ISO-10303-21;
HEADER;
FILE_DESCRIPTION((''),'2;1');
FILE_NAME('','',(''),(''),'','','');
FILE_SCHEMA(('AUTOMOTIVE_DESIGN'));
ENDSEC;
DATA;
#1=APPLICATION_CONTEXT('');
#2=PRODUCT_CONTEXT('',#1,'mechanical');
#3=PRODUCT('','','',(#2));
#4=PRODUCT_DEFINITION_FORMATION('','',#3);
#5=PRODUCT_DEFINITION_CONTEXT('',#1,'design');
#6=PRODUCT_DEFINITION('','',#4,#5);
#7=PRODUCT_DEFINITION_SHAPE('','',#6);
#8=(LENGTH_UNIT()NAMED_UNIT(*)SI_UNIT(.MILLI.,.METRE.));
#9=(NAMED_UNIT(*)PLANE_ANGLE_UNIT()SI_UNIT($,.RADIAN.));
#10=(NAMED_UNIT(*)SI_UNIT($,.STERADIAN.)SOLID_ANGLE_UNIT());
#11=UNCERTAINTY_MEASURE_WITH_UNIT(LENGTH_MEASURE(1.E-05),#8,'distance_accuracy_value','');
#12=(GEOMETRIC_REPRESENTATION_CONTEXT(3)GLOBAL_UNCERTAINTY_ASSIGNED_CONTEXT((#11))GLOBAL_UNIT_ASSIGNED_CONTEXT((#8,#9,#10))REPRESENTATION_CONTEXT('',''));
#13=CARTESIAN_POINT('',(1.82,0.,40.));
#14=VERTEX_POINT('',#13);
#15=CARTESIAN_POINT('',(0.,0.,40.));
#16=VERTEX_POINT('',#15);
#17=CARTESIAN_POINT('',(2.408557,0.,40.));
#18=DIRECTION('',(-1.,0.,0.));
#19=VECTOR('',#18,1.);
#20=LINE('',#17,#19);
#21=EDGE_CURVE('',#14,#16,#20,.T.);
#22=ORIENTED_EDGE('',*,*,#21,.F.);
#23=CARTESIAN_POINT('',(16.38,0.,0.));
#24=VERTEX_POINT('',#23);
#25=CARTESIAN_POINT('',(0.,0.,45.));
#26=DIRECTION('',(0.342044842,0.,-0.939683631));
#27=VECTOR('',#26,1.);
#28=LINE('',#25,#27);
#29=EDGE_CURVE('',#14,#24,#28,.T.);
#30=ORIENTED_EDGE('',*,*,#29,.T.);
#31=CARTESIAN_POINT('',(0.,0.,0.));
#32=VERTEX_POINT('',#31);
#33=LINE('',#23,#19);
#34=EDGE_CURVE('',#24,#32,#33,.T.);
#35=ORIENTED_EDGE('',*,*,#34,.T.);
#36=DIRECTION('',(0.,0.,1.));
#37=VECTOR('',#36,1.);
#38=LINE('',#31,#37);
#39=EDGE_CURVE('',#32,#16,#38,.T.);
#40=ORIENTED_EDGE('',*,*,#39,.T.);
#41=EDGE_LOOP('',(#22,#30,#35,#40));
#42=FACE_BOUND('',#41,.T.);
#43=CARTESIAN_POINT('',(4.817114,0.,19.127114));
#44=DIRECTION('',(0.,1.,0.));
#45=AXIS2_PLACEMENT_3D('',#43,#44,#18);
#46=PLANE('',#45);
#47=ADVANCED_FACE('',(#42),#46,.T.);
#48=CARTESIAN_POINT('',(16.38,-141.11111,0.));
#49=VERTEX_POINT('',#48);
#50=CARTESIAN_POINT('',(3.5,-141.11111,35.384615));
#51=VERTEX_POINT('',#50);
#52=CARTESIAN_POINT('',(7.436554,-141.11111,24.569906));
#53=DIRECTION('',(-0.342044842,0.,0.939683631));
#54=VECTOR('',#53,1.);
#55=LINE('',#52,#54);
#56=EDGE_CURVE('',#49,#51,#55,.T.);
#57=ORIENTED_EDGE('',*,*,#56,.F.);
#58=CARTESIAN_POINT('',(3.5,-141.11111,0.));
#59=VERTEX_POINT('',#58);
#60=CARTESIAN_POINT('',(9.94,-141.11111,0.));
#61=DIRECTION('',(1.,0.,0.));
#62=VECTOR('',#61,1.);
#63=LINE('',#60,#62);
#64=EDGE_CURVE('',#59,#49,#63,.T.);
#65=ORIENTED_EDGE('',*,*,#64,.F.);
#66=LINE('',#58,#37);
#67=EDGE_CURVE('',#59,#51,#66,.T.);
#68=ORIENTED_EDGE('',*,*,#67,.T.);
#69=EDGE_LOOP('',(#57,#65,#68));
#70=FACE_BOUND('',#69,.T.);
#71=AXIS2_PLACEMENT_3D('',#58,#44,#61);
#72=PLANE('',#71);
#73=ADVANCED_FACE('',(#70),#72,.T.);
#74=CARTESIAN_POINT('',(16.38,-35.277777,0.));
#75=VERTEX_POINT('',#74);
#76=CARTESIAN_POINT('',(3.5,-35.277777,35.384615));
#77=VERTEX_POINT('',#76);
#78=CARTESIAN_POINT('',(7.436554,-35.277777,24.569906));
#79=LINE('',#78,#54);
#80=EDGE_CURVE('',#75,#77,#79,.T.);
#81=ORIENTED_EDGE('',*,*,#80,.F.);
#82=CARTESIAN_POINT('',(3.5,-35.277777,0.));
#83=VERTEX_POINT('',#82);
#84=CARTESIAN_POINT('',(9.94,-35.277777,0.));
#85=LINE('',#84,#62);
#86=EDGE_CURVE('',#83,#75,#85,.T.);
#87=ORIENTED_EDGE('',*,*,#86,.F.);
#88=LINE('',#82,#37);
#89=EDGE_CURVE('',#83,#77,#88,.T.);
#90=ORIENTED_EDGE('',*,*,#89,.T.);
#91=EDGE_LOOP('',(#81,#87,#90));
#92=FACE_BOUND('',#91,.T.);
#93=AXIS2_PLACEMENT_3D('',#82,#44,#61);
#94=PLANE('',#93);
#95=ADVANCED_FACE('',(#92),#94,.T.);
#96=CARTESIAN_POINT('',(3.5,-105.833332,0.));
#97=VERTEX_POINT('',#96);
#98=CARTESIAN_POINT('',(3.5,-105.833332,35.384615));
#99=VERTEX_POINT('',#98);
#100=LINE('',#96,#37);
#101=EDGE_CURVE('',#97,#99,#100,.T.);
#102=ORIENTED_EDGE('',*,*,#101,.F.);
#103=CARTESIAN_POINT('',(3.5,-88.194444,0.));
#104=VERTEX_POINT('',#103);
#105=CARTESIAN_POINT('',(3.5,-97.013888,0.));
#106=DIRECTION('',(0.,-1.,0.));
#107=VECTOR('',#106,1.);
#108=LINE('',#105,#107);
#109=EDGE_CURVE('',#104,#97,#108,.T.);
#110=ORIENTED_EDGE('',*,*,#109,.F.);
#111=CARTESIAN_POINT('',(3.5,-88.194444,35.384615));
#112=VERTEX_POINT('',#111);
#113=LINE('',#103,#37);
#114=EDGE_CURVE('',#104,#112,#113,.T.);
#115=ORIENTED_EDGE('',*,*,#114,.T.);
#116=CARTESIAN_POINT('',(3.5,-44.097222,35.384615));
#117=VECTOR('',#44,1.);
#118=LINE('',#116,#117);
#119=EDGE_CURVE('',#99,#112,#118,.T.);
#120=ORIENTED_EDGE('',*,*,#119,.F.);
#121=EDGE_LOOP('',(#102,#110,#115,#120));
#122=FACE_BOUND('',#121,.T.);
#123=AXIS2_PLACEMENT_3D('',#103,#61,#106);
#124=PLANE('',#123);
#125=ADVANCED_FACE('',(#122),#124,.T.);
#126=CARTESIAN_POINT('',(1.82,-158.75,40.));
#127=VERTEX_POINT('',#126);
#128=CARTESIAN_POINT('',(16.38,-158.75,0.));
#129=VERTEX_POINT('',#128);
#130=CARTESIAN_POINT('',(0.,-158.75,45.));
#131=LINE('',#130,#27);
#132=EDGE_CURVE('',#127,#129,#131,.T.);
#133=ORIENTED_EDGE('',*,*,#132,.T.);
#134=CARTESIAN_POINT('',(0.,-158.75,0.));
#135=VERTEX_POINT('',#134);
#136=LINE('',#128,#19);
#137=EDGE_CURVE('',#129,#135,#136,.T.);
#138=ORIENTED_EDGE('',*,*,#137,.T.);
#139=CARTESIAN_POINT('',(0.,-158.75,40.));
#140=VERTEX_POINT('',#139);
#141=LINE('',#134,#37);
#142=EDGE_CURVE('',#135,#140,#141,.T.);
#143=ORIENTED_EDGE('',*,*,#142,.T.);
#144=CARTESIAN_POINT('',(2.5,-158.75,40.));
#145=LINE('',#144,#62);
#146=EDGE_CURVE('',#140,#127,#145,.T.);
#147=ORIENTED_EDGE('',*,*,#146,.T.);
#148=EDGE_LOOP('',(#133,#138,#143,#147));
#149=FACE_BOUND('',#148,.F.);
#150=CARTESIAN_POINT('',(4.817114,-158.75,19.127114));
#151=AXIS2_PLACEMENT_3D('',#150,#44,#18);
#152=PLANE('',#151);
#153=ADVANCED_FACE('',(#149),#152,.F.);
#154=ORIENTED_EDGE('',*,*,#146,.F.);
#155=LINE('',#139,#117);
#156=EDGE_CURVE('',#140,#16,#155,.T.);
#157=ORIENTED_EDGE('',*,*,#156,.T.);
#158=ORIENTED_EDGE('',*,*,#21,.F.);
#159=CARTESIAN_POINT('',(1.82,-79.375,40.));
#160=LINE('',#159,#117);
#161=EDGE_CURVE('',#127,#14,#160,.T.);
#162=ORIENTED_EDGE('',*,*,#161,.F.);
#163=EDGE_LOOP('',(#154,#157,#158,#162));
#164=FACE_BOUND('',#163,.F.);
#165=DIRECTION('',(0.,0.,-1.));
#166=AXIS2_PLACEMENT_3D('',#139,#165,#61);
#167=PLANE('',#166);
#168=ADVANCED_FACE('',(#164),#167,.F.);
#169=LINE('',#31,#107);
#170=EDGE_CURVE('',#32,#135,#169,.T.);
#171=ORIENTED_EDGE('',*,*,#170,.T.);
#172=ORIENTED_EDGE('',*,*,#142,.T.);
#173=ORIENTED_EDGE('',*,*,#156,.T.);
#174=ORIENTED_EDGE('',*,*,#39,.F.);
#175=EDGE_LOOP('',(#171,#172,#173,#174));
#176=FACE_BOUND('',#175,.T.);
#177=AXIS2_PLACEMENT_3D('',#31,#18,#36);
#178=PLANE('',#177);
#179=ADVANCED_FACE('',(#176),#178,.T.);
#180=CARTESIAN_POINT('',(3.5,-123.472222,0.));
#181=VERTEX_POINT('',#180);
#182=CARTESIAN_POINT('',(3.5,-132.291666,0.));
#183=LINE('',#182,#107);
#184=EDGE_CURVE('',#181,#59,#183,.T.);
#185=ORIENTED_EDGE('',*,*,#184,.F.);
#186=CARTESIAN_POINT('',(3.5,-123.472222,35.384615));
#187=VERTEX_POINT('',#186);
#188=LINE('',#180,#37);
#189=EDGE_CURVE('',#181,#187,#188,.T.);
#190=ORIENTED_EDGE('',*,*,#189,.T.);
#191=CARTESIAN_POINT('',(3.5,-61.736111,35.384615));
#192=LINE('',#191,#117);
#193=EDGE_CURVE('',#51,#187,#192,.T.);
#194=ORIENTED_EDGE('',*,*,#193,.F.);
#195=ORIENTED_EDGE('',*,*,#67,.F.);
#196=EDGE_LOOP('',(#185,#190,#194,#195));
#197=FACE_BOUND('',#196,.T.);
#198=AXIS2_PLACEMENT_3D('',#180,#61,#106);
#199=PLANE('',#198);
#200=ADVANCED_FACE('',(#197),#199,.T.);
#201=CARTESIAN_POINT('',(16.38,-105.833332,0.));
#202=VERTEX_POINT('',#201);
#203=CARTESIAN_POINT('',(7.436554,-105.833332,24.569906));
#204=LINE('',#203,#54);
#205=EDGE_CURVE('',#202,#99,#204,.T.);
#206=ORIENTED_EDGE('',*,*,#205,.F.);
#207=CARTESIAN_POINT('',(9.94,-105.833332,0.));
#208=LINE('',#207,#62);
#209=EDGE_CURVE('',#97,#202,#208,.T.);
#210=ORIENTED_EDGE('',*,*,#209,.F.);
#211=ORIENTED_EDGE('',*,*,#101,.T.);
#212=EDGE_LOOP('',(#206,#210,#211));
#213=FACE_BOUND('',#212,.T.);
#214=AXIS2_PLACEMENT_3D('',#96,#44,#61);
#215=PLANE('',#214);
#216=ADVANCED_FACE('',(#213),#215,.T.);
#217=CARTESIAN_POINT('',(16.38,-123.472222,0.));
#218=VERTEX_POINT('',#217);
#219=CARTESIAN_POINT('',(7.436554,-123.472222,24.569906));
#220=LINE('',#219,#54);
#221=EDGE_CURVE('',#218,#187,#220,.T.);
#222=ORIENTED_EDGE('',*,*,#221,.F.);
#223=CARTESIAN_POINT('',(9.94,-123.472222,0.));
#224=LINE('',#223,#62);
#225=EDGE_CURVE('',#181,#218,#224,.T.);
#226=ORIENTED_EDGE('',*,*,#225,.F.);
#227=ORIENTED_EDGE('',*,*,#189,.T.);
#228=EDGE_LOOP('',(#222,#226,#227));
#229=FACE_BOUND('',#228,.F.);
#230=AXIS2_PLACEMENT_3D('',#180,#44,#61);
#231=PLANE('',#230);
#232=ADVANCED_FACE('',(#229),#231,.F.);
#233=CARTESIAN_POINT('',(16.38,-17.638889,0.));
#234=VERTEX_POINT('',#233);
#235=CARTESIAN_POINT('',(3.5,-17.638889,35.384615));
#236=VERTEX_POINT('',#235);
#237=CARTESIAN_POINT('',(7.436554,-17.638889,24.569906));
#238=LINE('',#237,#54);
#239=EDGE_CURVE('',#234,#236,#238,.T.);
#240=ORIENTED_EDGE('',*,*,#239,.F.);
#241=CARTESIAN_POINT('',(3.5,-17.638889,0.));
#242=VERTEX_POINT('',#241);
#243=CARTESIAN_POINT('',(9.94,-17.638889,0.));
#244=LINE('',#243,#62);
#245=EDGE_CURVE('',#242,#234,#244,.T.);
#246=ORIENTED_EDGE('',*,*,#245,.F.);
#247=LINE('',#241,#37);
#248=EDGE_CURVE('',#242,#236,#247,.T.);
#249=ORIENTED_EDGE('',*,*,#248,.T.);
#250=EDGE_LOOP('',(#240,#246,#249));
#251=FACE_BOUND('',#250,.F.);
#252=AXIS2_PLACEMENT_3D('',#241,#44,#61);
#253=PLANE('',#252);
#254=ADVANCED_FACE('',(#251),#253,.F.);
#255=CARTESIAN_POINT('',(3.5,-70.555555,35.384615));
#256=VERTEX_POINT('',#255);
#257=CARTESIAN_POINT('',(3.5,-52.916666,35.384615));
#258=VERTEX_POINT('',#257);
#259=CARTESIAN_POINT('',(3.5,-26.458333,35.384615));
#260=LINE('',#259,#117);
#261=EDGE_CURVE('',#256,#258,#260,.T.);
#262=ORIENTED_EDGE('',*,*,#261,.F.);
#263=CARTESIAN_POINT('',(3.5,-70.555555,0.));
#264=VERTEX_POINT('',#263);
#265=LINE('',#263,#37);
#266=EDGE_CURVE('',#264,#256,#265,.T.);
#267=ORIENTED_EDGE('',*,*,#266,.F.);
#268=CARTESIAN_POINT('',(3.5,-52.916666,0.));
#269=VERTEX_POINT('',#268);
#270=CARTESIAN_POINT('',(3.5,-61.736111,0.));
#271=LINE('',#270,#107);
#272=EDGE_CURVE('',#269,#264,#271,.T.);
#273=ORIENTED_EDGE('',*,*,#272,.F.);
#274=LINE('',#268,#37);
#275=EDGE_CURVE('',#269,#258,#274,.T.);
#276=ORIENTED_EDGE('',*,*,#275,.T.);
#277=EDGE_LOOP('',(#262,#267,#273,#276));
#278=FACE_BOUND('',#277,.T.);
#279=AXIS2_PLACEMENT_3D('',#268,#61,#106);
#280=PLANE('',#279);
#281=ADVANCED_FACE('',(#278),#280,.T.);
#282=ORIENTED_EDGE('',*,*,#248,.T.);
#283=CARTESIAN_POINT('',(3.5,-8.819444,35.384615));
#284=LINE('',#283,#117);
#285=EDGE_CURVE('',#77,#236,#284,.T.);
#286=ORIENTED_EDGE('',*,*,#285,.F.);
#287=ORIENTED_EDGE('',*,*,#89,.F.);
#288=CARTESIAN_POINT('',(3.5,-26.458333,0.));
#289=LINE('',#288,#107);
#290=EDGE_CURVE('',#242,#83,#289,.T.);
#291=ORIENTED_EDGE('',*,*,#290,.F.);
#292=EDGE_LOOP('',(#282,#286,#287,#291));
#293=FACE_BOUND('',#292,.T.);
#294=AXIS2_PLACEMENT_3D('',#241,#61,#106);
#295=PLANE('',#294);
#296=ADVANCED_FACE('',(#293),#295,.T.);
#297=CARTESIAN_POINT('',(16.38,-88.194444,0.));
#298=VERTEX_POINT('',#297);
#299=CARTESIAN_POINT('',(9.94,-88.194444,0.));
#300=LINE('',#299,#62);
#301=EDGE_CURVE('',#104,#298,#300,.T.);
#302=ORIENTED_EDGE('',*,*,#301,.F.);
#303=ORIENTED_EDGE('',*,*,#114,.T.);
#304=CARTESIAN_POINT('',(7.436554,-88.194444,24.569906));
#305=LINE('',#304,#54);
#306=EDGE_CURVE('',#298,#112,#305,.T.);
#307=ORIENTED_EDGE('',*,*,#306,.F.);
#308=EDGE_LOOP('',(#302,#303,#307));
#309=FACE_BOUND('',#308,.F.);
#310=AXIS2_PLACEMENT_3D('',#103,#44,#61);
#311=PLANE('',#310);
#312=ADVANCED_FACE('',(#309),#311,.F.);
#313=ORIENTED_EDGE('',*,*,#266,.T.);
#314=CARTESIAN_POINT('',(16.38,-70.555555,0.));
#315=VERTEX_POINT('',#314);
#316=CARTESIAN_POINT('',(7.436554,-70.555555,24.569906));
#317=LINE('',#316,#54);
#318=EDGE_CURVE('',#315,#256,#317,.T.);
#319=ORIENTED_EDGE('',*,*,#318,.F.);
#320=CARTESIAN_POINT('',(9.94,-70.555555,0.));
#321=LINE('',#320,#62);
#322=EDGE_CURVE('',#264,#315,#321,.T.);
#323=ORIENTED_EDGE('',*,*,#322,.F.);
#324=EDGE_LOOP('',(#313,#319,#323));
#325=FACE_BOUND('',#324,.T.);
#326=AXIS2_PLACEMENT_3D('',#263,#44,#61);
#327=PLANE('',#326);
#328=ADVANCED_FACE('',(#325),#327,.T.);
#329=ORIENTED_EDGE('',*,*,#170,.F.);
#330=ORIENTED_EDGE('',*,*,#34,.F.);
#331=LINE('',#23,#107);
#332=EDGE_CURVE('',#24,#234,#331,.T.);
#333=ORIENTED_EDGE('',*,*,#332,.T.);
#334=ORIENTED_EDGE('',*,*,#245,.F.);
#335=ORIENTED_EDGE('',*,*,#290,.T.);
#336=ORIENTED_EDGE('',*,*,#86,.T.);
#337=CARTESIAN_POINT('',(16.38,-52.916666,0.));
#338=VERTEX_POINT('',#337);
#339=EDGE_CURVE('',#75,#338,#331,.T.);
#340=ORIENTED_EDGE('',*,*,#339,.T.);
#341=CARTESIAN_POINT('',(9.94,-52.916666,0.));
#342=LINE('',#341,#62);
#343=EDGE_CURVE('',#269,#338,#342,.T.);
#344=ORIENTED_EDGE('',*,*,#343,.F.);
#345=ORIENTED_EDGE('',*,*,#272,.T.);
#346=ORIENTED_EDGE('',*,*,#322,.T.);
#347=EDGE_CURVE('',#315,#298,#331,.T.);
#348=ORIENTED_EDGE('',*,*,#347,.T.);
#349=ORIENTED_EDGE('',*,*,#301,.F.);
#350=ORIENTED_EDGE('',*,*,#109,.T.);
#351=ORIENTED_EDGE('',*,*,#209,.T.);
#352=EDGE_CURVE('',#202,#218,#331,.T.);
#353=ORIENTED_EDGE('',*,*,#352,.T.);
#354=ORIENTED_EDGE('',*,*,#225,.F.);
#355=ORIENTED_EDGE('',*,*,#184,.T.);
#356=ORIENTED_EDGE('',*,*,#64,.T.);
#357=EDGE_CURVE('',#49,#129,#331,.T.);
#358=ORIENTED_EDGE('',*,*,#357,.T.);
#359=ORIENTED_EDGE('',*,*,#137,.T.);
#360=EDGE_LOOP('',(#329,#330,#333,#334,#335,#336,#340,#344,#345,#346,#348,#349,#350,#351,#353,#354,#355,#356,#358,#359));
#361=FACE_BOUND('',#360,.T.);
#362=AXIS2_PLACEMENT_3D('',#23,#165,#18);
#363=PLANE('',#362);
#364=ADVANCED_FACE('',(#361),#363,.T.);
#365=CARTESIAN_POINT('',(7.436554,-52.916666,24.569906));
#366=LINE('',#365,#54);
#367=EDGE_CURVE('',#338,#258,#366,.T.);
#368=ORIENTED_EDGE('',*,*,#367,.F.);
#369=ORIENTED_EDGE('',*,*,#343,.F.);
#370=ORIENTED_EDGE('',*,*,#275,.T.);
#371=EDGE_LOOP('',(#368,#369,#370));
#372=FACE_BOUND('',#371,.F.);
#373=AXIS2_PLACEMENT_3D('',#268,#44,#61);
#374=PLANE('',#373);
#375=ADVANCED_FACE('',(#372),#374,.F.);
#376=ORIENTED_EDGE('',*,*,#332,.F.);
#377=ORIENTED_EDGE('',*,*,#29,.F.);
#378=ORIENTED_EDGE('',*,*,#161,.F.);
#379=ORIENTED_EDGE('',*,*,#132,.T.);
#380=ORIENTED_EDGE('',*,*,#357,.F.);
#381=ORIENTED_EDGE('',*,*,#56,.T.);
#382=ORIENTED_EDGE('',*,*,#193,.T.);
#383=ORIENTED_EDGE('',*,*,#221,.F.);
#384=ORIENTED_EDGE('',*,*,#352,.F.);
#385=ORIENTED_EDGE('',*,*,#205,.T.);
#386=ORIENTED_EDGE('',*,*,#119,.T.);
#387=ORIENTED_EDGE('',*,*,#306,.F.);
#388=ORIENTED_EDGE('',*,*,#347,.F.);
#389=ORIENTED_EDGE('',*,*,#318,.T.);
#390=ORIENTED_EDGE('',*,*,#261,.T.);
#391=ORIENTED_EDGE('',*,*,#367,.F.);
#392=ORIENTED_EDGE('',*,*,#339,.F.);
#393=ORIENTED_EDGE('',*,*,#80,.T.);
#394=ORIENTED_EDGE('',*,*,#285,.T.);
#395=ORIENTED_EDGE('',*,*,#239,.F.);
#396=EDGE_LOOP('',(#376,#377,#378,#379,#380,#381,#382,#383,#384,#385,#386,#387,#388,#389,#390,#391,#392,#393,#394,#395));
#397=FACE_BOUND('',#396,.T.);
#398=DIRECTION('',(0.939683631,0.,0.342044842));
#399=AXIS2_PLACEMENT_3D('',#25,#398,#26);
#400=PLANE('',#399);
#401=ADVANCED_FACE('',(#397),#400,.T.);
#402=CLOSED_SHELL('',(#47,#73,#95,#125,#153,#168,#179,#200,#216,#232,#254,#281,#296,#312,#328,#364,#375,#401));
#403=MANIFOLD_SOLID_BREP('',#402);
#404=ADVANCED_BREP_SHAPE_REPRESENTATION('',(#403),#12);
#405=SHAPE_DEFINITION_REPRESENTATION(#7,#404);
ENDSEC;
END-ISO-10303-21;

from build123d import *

# Parameters (mm, degrees)
PAD018_DEPTH    = 158.75
SKETCH026_W     = 12.88
SKETCH026_H     = 17.638889
POCKET007_DEPTH = 45
SKETCH027_W     = 5
SKETCH027_H     = 5
POCKET008_DEPTH = 200


with BuildPart() as part:
    # Sketch025 → Pad018 (new body)
    with BuildSketch(Plane.XZ):
        Polygon((0, 0), (0, 45), (16.38, 0), align=None)
    extrude(amount=PAD018_DEPTH)

    # Sketch026 (on Face3 of Pad018) → Pocket007 (cut)
    with BuildSketch(Plane(origin=(0, 0, 0), x_dir=(1, 0, 0), z_dir=(0, 0, -1))):
        with Locations((9.94, 26.458333)):
            Rectangle(SKETCH026_W, SKETCH026_H)
        with Locations((9.94, 132.291666)):
            Rectangle(SKETCH026_W, SKETCH026_H)
        with Locations((9.94, 97.013888)):
            Rectangle(SKETCH026_W, SKETCH026_H)
        with Locations((9.94, 61.736111)):
            Rectangle(SKETCH026_W, SKETCH026_H)
    extrude(amount=-POCKET007_DEPTH, mode=Mode.SUBTRACT)

    # Sketch027 (on Face5 of Pocket007) → Pocket008 (cut)
    with BuildSketch(Plane.XZ.offset(158.75)):
        with Locations((2.5, 42.5)):
            Rectangle(SKETCH027_W, SKETCH027_H)
    extrude(amount=-POCKET008_DEPTH, mode=Mode.SUBTRACT)


solid = part.part
